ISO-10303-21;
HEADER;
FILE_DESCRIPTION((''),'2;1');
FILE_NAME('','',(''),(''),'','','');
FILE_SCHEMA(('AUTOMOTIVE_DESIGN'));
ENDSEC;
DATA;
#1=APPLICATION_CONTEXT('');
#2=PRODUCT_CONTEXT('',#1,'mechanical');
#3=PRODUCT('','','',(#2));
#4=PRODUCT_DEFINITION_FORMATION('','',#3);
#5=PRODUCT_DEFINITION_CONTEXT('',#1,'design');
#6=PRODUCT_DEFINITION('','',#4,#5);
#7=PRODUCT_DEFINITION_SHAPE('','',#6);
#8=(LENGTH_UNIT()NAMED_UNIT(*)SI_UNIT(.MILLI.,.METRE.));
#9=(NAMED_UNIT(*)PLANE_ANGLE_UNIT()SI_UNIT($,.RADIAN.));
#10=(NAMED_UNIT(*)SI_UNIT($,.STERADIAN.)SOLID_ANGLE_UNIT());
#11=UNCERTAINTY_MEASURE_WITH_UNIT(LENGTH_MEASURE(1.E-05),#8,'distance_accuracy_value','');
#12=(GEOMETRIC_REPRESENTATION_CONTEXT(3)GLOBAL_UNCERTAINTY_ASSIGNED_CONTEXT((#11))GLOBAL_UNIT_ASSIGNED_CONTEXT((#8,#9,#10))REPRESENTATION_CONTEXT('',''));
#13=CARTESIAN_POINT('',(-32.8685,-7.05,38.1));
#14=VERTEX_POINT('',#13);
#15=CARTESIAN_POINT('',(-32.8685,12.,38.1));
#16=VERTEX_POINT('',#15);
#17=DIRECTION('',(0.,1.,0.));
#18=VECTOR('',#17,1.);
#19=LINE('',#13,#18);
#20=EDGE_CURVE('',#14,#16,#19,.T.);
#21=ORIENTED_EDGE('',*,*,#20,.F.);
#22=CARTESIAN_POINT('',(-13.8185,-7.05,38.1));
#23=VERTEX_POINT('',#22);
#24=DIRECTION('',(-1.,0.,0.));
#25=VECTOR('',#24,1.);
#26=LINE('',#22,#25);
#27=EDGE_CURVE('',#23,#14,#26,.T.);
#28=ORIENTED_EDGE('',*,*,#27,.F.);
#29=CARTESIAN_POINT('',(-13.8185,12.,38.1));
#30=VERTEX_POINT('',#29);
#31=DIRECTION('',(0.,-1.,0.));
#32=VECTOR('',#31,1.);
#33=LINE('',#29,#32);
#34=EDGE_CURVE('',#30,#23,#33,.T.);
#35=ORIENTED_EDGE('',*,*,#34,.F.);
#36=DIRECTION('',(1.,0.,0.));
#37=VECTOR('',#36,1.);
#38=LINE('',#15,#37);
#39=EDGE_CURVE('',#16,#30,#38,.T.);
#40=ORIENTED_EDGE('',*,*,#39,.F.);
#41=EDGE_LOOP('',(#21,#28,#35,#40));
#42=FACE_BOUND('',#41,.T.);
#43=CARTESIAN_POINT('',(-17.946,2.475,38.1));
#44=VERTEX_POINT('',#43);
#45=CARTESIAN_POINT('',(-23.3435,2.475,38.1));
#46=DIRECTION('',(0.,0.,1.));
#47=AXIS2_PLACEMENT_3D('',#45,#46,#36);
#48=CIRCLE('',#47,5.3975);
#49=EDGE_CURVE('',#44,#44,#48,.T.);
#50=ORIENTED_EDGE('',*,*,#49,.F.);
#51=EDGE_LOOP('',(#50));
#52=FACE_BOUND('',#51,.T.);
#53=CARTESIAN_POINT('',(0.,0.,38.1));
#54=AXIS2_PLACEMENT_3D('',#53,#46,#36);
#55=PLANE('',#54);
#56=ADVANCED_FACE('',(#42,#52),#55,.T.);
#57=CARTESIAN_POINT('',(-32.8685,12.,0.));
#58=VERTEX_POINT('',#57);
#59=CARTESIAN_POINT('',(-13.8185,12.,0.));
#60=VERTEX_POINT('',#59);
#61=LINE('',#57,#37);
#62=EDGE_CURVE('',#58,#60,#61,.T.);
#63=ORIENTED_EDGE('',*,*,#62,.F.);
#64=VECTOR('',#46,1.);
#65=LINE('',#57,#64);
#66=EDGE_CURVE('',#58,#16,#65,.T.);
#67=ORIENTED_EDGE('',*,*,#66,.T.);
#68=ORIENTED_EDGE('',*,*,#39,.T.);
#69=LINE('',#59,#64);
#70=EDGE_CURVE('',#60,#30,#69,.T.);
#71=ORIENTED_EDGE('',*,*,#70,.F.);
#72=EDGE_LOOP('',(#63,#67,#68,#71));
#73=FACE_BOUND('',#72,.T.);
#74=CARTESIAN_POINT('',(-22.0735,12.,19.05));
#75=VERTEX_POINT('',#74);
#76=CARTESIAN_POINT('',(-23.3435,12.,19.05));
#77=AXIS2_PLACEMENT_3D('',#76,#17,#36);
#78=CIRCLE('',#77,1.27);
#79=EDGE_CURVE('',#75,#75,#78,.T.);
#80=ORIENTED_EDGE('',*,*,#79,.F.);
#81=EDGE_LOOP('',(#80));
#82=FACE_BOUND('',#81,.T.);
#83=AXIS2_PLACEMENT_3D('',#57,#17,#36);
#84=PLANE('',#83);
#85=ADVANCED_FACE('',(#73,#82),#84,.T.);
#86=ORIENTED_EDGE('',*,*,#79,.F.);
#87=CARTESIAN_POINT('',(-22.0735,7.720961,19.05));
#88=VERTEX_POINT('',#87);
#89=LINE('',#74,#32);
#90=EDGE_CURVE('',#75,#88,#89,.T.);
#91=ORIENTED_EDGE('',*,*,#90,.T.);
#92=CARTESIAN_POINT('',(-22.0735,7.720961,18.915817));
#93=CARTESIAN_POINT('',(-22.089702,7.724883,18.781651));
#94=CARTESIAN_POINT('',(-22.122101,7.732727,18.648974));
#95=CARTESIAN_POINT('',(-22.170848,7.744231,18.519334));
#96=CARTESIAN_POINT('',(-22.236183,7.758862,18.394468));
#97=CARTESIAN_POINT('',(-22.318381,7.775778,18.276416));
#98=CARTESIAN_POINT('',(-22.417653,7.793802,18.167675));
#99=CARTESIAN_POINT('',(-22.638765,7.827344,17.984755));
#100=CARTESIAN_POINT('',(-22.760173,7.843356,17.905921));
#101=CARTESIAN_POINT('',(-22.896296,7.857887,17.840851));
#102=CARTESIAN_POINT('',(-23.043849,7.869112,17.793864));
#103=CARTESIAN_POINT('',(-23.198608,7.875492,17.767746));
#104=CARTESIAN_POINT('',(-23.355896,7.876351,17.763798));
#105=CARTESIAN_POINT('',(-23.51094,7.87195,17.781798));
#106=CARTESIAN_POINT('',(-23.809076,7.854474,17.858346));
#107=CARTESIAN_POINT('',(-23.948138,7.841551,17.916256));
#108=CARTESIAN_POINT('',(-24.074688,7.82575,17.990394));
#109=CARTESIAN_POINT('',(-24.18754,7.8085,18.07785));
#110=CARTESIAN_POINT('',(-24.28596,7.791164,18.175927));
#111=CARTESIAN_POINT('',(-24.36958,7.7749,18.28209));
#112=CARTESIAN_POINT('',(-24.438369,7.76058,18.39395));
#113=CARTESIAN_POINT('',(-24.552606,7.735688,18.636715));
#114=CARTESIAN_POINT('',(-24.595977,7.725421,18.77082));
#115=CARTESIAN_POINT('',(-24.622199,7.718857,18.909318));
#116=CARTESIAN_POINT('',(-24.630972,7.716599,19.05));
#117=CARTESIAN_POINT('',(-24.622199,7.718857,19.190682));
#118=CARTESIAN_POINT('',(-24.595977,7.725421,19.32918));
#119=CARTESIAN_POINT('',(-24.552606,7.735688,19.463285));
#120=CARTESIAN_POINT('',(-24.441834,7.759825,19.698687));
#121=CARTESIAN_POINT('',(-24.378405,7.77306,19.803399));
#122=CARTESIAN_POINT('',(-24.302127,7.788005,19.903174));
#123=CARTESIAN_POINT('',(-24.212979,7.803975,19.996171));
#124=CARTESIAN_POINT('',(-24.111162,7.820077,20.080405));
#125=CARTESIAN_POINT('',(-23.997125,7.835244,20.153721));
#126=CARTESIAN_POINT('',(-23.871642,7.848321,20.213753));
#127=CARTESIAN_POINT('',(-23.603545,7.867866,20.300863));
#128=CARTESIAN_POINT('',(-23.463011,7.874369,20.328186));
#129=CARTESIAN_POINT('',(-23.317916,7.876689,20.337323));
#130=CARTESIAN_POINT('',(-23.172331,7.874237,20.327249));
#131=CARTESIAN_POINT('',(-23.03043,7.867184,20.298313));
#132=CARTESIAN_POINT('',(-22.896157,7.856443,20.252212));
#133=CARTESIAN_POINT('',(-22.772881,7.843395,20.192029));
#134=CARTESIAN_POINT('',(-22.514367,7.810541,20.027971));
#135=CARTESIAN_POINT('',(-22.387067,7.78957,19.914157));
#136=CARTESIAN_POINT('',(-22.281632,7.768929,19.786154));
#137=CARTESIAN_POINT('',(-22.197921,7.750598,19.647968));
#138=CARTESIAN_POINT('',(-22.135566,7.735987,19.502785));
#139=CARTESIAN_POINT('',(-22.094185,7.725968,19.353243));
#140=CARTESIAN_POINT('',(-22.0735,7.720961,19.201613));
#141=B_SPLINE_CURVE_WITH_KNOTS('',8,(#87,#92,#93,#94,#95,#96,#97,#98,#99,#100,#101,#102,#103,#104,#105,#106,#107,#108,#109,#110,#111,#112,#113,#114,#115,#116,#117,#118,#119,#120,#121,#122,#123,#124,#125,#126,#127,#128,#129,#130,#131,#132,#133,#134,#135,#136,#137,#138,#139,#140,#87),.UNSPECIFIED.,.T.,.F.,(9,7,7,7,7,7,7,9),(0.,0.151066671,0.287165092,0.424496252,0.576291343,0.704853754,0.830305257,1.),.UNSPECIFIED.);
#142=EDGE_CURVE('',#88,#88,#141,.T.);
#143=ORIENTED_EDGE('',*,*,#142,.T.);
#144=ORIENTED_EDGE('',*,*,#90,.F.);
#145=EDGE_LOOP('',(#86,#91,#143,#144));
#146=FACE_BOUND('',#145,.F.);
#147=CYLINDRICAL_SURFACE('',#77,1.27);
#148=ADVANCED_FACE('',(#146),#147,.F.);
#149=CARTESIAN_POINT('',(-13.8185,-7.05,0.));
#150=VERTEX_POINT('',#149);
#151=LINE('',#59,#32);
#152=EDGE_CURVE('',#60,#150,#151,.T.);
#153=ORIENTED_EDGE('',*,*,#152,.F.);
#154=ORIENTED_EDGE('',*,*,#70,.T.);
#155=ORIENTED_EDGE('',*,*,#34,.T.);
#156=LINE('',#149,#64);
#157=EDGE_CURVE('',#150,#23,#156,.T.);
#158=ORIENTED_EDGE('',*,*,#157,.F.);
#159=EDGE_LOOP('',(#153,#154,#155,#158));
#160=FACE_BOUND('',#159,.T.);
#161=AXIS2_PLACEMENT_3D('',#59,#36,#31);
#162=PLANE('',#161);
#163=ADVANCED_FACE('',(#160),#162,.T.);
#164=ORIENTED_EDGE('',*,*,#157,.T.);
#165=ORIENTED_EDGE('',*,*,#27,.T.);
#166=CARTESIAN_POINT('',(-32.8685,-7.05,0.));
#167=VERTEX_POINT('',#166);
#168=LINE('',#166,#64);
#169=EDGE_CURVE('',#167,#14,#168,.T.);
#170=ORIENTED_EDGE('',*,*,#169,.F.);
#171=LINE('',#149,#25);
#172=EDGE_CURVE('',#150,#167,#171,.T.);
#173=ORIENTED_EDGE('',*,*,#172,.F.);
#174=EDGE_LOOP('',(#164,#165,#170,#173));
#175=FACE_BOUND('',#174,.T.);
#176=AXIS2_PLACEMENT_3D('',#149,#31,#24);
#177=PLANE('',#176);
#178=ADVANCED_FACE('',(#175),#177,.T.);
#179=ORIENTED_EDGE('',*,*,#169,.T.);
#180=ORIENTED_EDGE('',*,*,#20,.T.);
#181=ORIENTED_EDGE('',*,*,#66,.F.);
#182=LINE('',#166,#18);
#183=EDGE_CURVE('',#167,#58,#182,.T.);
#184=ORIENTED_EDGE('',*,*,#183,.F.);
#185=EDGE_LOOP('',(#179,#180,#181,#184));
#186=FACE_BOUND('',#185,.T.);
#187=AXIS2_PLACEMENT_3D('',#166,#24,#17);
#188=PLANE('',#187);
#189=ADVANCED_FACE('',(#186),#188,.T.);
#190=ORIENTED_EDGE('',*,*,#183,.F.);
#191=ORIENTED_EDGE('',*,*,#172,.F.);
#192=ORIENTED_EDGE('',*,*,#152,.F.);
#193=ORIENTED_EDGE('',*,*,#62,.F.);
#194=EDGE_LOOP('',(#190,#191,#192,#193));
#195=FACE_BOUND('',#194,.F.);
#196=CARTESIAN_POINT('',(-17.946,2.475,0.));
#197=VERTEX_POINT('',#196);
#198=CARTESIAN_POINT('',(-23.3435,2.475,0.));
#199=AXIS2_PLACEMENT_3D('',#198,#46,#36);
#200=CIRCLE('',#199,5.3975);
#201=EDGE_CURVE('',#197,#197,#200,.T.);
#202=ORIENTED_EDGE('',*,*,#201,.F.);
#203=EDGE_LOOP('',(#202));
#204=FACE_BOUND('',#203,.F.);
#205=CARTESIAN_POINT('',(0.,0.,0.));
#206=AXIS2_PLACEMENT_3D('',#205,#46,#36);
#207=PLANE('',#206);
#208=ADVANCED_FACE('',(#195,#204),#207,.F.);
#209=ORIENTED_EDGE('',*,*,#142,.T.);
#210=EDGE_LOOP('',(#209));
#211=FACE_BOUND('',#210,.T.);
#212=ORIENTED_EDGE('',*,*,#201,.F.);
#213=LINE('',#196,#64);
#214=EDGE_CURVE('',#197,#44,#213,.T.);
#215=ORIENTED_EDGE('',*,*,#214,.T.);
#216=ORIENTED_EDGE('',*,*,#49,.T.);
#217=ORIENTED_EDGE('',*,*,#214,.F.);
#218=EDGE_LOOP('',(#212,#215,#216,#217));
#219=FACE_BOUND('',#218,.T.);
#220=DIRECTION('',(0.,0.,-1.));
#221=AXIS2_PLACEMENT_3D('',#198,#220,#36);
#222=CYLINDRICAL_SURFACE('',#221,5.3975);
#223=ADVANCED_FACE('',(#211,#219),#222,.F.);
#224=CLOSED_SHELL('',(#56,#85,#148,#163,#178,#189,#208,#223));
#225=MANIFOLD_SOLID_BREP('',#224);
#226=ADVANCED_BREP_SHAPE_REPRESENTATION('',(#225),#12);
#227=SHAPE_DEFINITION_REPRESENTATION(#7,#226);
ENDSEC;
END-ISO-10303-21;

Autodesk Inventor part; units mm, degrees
ref_plane "YZ Plane" through (0, 0, 0) normal (1, 0, 0) x (0, 1, 0)
ref_plane "XZ Plane" through (0, 0, 0) normal (0, 1, 0) x (-1, 0, 0)
ref_plane "XY Plane" through (0, 0, 0) normal (0, 0, 1) x (1, 0, 0)
sketch "Sketch1" plane through (0, 0, 0) normal (0, 0, 1) x (1, 0, 0)
  line L0 (-32.8685, 12) -> (-13.8185, 12)
  line L1 (-13.8185, 12) -> (-13.8185, -7.05)
  line L2 (-13.8185, -7.05) -> (-32.8685, -7.05)
  line L3 (-32.8685, -7.05) -> (-32.8685, 12)
  circle A0 centre (-23.3435, 2.475) radius 5.3975
  point P0 (0, 0)
  dimension "d0" = 19.05
  dimension "d1" = 19.05
  dimension "d2" = 10.795
extrude "Extrusion1" add sketch "Sketch1" along normal blind 38.1
sketch "Sketch2" plane through (-32.8685, 12, 0) normal (0, 1, 0) x (1, 0, 0)
  circle A0 centre (9.525, -19.05) radius 1.27
  point P0 (32.8685, 0)
  dimension "d5" = 2.54
extrude "Extrusion2" cut sketch "Sketch2" against normal blind 6.35
thread "Thread1" size "7/16-14 UNC" class "2B" standard "ANSI Unified Screw Threads" full length
properties part number "Air Release Base 1764"
